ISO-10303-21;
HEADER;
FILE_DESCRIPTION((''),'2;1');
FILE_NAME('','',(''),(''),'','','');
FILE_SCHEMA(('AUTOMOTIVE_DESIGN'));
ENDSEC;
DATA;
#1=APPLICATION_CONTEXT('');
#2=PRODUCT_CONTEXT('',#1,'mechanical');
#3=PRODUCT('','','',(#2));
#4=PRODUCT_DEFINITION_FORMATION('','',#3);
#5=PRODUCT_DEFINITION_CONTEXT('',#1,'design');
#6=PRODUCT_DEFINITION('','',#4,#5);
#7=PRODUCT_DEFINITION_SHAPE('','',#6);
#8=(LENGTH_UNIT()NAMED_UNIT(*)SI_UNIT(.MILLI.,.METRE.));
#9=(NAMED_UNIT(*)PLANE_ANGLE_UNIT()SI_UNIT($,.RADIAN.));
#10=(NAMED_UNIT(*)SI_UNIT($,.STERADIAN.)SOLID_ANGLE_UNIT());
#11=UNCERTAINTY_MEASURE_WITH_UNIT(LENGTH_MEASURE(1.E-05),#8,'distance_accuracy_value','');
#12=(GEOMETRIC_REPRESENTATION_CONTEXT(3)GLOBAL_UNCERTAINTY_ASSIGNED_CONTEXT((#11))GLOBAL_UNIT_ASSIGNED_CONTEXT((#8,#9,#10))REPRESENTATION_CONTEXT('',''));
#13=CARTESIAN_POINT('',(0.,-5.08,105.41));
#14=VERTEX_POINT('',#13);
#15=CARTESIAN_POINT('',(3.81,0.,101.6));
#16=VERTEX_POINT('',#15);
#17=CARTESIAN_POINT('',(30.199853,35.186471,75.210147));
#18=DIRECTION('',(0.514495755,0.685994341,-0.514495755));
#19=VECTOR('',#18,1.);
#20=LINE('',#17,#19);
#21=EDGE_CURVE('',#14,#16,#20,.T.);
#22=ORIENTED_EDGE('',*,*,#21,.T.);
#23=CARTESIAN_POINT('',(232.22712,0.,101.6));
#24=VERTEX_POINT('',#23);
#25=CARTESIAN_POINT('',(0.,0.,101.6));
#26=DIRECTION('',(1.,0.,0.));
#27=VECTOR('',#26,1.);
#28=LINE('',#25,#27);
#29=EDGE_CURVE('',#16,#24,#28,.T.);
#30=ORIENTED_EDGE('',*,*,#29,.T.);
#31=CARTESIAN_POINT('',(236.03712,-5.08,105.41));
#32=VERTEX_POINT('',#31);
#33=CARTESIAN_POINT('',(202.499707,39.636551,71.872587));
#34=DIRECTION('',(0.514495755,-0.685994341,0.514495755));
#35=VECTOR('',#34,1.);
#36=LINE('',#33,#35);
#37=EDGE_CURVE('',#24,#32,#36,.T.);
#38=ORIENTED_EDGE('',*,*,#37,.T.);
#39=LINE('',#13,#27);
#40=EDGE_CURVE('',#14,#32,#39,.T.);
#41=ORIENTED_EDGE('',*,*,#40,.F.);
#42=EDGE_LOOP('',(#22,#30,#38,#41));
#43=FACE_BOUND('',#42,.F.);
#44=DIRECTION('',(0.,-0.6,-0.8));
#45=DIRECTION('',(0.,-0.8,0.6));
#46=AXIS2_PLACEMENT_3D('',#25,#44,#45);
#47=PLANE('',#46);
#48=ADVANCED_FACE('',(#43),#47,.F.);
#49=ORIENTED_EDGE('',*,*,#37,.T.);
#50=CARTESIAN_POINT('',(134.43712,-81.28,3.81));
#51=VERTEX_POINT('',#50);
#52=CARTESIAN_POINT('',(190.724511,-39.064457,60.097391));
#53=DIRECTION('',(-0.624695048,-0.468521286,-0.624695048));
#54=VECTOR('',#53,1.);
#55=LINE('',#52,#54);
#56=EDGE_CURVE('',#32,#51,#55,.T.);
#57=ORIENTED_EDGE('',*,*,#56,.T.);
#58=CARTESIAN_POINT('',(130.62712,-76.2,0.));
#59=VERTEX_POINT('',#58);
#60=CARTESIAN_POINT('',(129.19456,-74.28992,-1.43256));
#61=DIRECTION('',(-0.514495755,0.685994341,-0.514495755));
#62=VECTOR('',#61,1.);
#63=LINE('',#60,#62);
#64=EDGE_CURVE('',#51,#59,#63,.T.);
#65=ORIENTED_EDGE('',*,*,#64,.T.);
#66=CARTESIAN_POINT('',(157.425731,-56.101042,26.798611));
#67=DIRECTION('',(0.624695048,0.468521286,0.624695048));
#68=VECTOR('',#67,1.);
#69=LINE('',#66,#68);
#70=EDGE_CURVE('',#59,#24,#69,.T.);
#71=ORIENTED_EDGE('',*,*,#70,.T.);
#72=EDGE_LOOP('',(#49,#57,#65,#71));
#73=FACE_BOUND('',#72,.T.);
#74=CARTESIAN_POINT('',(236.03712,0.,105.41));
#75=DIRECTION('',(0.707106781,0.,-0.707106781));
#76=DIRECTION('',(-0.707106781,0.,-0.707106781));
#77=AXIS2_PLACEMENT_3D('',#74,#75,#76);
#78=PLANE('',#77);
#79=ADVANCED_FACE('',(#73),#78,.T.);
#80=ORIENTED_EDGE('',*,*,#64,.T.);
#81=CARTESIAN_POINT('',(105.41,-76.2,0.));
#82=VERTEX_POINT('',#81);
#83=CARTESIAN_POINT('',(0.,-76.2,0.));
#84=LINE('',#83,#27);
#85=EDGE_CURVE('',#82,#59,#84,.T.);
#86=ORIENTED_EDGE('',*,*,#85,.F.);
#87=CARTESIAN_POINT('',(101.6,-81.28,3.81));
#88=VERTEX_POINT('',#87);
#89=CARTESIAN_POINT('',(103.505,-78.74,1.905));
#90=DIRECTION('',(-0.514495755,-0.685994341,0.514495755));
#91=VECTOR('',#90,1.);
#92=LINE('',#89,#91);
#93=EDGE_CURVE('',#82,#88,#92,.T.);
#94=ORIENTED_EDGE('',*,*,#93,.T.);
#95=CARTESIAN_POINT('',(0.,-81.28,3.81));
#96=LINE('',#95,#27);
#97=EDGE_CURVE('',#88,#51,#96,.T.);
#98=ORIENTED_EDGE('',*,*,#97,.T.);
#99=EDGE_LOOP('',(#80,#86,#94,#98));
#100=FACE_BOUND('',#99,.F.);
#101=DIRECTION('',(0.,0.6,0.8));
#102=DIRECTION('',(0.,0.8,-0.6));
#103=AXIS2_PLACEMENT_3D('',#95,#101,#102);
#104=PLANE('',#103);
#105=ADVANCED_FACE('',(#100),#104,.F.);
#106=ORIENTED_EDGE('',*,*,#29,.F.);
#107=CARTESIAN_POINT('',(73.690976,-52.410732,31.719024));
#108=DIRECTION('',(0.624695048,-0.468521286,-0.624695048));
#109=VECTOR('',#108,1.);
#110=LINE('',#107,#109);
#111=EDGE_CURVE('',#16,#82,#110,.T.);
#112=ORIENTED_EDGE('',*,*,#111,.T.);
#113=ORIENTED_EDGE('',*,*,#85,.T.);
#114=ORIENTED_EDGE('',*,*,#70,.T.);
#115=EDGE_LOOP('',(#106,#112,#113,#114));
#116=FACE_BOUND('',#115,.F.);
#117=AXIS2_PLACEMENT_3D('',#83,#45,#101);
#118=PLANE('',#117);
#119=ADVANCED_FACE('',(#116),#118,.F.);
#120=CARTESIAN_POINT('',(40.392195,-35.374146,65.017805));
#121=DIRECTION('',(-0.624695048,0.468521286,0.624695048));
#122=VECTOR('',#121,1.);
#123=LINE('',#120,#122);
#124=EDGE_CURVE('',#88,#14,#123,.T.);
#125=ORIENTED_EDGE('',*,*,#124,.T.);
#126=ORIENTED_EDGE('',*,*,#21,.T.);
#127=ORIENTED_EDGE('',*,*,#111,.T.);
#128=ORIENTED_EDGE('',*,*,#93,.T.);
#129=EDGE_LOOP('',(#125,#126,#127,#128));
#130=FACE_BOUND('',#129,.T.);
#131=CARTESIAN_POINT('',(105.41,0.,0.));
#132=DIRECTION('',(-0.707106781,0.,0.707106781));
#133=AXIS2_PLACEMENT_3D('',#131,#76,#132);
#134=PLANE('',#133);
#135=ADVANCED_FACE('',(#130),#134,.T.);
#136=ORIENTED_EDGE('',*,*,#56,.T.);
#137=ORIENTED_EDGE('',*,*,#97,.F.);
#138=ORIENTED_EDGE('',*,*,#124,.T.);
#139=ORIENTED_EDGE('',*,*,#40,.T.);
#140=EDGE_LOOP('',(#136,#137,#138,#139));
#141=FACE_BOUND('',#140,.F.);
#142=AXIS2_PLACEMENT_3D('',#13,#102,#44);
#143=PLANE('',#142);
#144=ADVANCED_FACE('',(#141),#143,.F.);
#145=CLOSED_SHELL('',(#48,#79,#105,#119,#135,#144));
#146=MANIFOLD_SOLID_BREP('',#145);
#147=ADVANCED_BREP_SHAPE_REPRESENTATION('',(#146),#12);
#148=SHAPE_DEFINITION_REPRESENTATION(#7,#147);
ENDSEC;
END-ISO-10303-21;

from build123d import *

# Parameters (mm, degrees)
F1_DEPTH = 241.3
F3_DEPTH = 81.281


with BuildPart() as f1:
    # F0 (on Right) → F1 (new body)
    with BuildSketch(Plane.YZ):
        Polygon((-81.28, 3.81), (-76.2, 0), (0, 101.6), (-5.08, 105.41), align=None)
    extrude(amount=F1_DEPTH)

    # F2 (on Front) → F3 (cut, through all)
    with BuildSketch(Plane.XZ):
        Polygon((236.03712, 105.41), (130.62712, 0), (241.3, 0), (241.3, 105.41), align=None)
        Polygon((0, 105.41), (0, 0), (105.41, 0), align=None)
    extrude(amount=F3_DEPTH, mode=Mode.SUBTRACT)


solid = f1.part
